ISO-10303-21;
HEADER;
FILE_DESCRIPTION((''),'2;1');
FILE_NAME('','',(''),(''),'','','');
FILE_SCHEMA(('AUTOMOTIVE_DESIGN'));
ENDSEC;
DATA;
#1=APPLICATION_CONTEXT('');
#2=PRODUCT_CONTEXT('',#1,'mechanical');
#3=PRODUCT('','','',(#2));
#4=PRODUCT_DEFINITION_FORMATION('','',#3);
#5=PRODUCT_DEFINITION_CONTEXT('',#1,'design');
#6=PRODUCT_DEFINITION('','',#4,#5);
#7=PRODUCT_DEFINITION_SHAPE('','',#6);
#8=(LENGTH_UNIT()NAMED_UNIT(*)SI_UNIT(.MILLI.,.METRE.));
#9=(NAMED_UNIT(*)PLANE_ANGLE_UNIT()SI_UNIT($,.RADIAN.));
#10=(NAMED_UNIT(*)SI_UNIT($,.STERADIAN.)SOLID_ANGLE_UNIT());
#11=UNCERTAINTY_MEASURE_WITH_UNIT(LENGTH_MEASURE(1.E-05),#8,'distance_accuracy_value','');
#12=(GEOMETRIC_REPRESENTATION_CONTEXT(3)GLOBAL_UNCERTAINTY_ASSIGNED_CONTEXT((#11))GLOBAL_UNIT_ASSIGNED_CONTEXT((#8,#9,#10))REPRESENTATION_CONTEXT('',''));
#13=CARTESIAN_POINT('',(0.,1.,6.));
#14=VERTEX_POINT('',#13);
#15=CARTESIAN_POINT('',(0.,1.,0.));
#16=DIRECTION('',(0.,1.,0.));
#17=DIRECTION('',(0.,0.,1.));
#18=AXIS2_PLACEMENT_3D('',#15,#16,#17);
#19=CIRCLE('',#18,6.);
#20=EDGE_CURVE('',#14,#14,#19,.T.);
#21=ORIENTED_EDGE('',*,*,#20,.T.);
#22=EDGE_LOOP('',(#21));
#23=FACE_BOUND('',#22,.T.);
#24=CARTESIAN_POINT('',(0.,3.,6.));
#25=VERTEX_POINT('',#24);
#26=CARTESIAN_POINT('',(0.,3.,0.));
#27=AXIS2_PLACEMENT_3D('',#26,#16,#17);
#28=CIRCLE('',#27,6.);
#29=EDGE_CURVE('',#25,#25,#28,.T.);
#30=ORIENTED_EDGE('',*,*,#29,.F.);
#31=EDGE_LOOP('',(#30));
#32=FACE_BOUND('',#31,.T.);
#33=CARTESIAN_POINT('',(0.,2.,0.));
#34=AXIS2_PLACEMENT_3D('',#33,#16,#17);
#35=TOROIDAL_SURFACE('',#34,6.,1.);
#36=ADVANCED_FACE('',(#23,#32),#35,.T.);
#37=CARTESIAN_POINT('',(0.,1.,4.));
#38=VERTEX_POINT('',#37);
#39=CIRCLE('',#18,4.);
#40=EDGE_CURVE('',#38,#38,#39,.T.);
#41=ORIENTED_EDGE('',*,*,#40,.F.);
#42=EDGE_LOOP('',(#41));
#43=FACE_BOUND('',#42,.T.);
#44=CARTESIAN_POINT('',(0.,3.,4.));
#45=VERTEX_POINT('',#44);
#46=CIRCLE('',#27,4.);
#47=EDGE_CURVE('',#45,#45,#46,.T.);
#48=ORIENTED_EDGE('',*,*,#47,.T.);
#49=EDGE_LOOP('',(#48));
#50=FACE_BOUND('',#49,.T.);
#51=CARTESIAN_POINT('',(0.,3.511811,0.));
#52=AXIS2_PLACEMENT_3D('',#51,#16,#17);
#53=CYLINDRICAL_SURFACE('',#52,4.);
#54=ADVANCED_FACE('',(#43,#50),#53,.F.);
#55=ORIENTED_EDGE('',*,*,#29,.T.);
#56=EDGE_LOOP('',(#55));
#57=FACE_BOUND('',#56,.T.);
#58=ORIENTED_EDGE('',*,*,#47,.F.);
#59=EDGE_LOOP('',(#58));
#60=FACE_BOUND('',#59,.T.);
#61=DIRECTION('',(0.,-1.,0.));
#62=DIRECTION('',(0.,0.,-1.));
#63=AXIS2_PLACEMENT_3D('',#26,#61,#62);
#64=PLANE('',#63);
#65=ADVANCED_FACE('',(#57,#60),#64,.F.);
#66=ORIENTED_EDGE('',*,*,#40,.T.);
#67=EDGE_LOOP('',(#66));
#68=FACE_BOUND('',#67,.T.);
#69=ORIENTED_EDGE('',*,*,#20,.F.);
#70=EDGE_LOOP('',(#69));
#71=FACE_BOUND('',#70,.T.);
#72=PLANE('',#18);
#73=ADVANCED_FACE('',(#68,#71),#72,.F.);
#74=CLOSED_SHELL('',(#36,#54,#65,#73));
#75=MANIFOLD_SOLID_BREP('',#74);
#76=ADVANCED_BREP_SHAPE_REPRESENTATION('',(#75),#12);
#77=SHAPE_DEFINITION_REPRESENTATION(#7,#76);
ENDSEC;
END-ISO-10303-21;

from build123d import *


with BuildPart() as part:
    # 草图1 → 旋转1 (revolve)
    with BuildSketch(Plane.XY, mode=Mode.PRIVATE) as revolve_1_sk:
        with BuildLine():
            Line((-6, 1), (-4, 1))
            Line((-4, 1), (-4, 3))
            Line((-4, 3), (-6, 3))
            ThreePointArc((-6, 3), (-7, 2), (-6, 1))
        make_face()
    revolve(revolve_1_sk.sketch.rotate(Axis((0, 3.511811024, 0), (0, -1, 0)), 270), axis=Axis((0, 3.511811024, 0), (0, -1, 0)))


solid = part.part
